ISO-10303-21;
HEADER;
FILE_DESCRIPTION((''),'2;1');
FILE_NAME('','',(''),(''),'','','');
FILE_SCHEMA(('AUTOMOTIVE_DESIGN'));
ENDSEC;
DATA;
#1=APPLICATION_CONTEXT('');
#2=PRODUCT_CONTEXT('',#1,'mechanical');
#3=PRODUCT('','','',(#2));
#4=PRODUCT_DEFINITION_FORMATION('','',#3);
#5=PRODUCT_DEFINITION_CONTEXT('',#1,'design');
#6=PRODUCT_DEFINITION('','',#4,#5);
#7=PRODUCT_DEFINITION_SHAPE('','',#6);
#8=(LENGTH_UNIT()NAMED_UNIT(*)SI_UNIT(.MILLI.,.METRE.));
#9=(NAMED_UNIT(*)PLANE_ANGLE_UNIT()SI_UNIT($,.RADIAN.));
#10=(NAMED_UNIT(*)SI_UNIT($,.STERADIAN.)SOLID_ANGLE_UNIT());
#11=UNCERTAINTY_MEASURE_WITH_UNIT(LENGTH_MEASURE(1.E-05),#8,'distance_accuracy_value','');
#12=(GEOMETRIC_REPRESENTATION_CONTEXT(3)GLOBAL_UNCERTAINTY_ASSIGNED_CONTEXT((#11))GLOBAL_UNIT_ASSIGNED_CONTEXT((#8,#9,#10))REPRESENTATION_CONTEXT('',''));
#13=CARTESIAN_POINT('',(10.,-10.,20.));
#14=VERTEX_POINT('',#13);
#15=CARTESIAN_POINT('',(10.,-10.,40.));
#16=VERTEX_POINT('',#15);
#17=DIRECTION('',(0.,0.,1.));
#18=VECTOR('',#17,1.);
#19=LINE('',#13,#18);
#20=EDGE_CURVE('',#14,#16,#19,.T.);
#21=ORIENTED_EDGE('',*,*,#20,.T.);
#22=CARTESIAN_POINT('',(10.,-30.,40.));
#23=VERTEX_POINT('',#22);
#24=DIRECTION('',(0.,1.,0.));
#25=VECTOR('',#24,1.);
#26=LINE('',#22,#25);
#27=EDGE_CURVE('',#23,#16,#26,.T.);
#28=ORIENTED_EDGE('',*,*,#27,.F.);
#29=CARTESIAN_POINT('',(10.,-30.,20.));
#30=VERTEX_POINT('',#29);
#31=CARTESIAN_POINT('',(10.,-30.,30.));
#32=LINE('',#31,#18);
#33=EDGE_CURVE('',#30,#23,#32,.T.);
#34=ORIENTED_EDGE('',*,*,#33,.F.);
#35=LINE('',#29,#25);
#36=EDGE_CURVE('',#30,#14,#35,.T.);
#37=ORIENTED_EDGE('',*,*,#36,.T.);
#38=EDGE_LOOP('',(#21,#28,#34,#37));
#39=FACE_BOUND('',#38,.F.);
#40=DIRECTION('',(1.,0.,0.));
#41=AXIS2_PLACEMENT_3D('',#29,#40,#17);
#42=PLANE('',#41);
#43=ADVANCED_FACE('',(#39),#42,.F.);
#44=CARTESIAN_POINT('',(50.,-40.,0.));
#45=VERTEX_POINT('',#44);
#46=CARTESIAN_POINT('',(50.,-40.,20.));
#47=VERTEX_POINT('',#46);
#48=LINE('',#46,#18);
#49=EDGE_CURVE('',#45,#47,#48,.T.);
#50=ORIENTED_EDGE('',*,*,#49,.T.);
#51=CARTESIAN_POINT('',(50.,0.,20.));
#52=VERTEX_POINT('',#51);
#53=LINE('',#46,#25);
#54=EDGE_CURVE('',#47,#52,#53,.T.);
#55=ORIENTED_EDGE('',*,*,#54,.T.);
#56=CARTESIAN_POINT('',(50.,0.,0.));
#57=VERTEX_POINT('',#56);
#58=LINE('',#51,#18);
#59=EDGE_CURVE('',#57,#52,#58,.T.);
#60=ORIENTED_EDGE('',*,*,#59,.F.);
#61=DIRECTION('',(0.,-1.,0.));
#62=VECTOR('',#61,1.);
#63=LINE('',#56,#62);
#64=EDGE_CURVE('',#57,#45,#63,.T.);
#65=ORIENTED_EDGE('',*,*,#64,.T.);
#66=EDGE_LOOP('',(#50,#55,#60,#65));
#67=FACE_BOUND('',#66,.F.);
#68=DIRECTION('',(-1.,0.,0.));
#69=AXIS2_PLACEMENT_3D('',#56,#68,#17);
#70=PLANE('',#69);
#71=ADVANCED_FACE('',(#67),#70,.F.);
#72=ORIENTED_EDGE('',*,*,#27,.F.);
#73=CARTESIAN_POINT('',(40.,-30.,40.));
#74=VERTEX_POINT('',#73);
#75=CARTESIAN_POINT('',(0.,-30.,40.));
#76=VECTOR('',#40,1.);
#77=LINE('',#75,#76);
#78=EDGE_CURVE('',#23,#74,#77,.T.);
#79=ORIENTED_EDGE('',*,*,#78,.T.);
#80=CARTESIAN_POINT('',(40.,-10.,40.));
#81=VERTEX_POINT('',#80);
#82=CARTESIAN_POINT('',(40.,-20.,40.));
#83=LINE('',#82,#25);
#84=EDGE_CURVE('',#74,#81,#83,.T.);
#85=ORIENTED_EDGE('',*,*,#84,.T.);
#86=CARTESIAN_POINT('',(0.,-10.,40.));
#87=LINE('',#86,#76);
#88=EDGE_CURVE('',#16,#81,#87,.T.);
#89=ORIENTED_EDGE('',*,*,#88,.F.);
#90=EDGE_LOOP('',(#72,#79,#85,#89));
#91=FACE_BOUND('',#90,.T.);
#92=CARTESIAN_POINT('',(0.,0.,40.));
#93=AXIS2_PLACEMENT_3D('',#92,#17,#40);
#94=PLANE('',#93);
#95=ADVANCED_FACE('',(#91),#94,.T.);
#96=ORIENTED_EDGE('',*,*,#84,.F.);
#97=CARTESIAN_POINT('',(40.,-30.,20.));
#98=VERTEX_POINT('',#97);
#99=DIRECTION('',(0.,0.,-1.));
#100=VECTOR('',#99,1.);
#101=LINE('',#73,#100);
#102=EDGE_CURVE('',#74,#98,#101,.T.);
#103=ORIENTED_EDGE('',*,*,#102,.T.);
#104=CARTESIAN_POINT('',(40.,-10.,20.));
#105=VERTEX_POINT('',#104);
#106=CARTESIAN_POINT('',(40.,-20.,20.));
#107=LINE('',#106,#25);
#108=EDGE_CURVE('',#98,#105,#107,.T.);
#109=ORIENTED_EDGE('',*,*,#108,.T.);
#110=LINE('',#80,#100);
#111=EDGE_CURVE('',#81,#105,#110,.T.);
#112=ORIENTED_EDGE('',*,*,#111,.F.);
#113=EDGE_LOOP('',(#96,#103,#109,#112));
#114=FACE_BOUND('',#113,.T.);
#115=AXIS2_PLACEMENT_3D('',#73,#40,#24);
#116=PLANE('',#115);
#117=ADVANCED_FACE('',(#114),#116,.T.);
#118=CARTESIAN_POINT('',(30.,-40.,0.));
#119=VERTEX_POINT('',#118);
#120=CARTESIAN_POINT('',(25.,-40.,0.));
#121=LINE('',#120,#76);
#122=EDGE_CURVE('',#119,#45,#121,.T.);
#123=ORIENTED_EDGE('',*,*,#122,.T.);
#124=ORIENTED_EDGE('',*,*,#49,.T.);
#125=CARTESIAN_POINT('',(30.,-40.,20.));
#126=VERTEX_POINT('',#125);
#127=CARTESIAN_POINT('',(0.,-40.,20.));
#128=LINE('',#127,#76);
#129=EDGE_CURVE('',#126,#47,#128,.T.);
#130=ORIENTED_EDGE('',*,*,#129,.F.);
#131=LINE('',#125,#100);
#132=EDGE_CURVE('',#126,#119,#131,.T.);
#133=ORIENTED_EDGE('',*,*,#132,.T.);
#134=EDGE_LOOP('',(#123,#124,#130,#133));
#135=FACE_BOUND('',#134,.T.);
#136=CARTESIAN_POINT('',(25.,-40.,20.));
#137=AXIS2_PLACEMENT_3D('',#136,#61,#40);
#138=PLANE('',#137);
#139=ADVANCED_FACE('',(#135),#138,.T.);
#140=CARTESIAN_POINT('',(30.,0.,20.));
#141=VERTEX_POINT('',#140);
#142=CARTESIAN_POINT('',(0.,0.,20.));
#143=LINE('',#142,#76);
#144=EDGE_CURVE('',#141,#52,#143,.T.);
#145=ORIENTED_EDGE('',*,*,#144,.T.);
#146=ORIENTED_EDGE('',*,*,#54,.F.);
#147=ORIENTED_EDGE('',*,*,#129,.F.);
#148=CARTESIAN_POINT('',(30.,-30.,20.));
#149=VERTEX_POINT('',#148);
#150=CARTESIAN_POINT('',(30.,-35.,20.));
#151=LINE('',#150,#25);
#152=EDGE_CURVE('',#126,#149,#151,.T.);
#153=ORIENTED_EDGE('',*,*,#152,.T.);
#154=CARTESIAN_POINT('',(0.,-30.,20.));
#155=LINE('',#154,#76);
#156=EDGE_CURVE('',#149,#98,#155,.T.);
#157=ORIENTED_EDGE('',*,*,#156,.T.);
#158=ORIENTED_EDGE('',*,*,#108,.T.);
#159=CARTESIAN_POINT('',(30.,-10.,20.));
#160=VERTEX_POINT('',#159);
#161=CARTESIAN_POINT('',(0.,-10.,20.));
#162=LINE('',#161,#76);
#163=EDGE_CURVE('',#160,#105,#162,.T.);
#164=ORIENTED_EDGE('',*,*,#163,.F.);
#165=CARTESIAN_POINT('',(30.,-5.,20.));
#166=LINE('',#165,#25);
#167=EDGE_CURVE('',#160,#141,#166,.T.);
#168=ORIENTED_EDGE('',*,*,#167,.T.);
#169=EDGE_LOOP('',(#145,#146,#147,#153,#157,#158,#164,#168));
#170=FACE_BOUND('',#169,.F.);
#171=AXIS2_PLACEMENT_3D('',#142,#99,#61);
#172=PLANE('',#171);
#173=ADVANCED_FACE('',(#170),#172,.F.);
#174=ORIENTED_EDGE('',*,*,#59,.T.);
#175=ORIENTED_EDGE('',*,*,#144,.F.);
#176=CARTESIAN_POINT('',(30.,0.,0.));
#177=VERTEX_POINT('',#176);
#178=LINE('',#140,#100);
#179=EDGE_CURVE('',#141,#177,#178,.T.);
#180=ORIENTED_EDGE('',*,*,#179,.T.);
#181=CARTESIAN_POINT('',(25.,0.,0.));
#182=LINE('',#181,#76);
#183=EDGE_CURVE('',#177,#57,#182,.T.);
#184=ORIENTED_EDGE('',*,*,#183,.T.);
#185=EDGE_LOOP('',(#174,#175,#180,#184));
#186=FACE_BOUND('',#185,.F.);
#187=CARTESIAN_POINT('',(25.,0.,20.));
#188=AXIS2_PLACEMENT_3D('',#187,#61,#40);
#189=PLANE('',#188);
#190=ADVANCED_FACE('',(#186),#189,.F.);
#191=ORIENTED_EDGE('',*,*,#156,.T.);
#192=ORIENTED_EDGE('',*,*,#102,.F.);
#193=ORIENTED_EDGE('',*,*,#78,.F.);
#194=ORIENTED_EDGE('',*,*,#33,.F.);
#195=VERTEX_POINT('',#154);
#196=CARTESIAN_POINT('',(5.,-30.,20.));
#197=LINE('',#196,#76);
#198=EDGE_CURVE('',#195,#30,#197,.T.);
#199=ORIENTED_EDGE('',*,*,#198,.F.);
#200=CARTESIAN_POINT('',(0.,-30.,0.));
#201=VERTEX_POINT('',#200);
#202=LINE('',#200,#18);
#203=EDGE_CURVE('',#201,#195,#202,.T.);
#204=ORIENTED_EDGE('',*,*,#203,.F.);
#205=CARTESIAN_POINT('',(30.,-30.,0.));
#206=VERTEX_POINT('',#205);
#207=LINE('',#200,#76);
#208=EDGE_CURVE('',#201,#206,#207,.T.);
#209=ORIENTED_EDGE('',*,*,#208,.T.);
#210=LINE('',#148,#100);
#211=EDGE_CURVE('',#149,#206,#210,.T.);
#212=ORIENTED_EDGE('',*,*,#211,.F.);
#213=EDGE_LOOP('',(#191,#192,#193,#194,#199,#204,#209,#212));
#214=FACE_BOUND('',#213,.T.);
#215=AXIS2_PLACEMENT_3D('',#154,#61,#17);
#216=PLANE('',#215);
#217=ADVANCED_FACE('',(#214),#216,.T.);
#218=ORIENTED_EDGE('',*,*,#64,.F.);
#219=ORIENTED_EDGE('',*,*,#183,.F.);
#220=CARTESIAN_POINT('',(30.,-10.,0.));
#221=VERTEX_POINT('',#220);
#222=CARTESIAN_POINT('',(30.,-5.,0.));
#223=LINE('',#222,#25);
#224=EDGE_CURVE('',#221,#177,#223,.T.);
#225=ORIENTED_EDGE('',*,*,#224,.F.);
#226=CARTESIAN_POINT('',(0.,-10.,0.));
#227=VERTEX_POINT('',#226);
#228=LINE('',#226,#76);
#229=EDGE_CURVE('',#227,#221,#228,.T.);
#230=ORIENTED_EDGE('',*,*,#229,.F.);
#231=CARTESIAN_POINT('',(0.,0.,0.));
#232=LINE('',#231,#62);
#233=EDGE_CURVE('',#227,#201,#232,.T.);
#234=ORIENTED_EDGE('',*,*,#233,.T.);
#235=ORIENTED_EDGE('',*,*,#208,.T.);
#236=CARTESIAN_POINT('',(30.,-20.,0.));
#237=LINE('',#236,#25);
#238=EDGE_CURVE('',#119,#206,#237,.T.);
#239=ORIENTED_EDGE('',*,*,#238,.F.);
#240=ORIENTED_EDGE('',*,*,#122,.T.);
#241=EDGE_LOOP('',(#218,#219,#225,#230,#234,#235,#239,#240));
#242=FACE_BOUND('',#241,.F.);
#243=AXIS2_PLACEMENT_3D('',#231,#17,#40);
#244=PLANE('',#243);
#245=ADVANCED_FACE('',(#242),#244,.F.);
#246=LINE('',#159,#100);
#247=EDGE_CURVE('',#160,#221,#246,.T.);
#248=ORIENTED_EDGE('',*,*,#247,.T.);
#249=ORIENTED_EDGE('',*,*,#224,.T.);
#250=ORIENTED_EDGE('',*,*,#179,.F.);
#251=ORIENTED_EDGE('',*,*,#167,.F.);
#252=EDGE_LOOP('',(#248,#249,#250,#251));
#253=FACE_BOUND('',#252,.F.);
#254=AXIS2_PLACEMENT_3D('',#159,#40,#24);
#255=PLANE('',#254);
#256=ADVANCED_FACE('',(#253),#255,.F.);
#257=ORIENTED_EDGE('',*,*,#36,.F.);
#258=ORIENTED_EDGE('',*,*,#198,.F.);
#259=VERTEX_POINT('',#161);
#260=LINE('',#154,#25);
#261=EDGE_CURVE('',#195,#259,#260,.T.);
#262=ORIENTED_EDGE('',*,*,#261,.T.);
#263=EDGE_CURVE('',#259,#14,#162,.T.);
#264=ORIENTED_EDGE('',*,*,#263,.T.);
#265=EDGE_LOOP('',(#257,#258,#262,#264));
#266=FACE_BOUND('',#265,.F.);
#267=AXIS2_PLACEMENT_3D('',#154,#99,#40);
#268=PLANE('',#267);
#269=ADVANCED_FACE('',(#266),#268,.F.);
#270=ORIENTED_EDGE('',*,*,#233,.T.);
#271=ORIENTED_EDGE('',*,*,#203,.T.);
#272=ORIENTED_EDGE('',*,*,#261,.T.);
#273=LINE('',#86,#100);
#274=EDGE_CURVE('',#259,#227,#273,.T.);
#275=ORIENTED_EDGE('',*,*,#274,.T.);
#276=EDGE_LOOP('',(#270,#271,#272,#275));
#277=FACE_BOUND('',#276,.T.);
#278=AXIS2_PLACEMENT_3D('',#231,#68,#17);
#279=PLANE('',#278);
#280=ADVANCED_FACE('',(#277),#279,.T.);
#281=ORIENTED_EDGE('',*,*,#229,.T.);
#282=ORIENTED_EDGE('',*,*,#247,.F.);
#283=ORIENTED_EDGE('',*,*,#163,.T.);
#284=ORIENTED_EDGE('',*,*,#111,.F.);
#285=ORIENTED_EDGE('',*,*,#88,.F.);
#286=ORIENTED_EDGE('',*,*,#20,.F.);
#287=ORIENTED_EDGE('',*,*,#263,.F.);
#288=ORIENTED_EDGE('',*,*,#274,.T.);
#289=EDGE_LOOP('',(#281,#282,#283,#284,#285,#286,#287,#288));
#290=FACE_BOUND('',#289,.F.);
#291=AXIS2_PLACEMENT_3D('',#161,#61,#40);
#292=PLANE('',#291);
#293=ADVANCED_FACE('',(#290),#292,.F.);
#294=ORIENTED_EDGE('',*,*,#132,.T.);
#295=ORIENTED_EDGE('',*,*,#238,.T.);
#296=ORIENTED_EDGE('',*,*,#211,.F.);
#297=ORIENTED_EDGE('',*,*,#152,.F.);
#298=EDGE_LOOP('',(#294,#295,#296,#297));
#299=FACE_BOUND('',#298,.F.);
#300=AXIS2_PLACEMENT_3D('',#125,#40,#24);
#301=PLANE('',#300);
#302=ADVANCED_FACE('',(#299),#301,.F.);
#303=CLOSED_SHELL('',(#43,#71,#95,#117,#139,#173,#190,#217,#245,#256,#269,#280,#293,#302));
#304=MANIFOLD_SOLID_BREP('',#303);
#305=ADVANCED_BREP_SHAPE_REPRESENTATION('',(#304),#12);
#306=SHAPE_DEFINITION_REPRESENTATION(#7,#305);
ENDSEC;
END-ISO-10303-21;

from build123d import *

# Parameters (mm, degrees)
F0_W     = 50
F0_H     = 40
F1_DEPTH = 40
F2_W     = 10
F2_H     = 20
F3_DEPTH = 50.001
F4_W     = 30
F4_H     = 10
F5_DEPTH = 20.001
F6_W     = 10
F6_H     = 20
F7_DEPTH = 20
F8_W     = 10
F8_H     = 20
F9_DEPTH = 30.001


with BuildPart() as f1:
    # F0 (on Front) → F1 (new body)
    with BuildSketch(Plane.XZ):
        with Locations((25, 20)):
            Rectangle(F0_W, F0_H)
    extrude(amount=F1_DEPTH)

    # F2 (on face) → F3 (cut, through all)
    with BuildSketch(Plane(origin=(0, 0, 0), x_dir=(0, -1, 0), z_dir=(-1, 0, 0))):
        with Locations((5, 30)):
            Rectangle(F2_W, F2_H)
        with Locations((35, 30)):
            Rectangle(F2_W, F2_H)
    extrude(amount=-F3_DEPTH, mode=Mode.SUBTRACT)

    # F4 (on face) → F5 (cut, through all)
    with BuildSketch(Plane.XY.offset(20)):
        with Locations((15, -5)):
            Rectangle(F4_W, F4_H)
        with Locations((15, -35)):
            Rectangle(F4_W, F4_H)
    extrude(amount=-F5_DEPTH, mode=Mode.SUBTRACT)

    # F6 (on face) → F7 (cut, through all)
    with BuildSketch(Plane.XY.offset(40)):
        with Locations((45, -20)):
            Rectangle(F6_W, F6_H)
    extrude(amount=-F7_DEPTH, mode=Mode.SUBTRACT)

    # F8 (on face) → F9 (cut, through all)
    with BuildSketch(Plane.XZ.offset(30)):
        with Locations((5, 30)):
            Rectangle(F8_W, F8_H)
    extrude(amount=-F9_DEPTH, mode=Mode.SUBTRACT)


solid = f1.part
